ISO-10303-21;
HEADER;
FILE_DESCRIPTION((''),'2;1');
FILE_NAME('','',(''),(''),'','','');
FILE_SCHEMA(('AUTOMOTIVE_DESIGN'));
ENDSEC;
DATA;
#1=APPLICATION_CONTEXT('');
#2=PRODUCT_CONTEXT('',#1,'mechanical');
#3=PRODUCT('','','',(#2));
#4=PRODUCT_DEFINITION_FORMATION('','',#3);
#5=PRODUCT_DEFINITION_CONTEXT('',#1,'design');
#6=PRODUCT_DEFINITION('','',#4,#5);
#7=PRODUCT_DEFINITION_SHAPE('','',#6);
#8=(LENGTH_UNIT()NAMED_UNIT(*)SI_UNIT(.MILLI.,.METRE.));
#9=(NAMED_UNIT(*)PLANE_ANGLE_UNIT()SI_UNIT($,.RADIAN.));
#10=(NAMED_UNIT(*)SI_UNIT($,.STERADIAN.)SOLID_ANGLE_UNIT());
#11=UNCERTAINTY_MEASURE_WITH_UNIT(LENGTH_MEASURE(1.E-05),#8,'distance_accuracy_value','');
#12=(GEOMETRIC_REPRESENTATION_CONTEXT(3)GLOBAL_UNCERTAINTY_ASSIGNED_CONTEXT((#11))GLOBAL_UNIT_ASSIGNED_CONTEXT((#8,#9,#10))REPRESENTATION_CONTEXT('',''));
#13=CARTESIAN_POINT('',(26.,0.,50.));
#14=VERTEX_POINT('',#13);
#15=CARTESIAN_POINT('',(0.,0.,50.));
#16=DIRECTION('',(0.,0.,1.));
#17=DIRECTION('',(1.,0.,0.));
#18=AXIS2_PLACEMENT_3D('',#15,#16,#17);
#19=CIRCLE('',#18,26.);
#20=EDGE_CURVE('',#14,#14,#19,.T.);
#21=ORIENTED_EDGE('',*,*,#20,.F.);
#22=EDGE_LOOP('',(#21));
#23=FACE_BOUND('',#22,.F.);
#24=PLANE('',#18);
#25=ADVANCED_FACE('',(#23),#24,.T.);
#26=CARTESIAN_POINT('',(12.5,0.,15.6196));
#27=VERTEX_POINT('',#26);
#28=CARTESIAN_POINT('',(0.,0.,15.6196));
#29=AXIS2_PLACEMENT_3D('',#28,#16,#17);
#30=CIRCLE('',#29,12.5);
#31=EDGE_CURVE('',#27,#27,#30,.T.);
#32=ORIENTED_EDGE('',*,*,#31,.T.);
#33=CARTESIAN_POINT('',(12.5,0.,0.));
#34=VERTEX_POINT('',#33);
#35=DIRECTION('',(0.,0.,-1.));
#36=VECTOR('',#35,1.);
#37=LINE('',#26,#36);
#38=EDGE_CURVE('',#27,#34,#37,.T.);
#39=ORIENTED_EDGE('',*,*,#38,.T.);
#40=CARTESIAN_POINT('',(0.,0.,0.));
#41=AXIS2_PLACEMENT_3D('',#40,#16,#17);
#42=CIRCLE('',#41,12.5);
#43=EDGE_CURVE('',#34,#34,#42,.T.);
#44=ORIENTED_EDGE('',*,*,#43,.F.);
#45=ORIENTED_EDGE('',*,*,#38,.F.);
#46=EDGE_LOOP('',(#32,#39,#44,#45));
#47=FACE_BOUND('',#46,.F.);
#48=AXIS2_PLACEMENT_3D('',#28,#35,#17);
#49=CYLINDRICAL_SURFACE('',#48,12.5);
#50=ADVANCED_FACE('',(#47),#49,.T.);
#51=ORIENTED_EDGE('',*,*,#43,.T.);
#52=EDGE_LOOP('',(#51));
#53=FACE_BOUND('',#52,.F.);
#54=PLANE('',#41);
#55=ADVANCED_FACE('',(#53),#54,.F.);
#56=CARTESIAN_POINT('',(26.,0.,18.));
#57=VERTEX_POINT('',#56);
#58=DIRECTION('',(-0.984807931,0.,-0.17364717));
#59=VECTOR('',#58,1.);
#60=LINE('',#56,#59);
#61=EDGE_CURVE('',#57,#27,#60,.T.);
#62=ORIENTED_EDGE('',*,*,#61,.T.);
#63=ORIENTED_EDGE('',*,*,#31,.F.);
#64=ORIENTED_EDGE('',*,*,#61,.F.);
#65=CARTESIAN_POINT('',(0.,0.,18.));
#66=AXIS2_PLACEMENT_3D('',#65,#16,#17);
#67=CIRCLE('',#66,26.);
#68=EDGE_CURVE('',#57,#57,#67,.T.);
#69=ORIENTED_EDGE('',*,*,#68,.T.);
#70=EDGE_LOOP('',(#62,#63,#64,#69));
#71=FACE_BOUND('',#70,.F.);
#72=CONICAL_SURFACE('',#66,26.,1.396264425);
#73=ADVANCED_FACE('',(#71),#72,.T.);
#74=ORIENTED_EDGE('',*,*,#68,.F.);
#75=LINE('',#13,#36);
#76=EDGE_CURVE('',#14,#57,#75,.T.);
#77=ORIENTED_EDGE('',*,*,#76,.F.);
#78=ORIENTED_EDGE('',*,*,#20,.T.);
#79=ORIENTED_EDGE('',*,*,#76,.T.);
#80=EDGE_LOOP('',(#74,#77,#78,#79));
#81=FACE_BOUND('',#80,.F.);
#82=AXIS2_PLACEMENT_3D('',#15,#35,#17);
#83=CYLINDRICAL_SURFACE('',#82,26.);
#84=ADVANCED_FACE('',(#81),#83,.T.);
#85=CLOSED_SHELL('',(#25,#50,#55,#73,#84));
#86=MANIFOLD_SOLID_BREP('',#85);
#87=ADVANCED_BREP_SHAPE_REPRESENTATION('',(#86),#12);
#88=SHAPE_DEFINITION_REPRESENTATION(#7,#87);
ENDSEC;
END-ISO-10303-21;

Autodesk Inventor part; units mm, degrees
ref_plane "YZ Plane" through (0, 0, 0) normal (1, 0, 0) x (0, 1, 0)
ref_plane "XZ Plane" through (0, 0, 0) normal (0, 1, 0) x (-1, 0, 0)
ref_plane "XY Plane" through (0, 0, 0) normal (0, 0, 1) x (1, 0, 0)
sketch "Sketch1" plane through (0, 0, 0) normal (0, 1, 0) x (-1, 0, 0)
  line L0 (0, 0) -> (0, 50)
  line L1 (0, 50) -> (-26, 50)
  line L2 (-26, 50) -> (-26, 18)
  line L3 (-26, 18) -> (-12.5, 15.6196)
  line L4 (-12.5, 15.6196) -> (-12.5, 0)
  line L5 (-12.5, 0) -> (0, 0)
  dimension "d0" = 50
  dimension "d1" = 52
  dimension "d2" = 25
  dimension "d3" = 32
  dimension "d4" = 100
revolve "Revolution1" add sketch "Sketch1" angle 360 about axis through (0, 0, 0) along (0, 0, 1)
properties part number "TKS dummy filter element"
